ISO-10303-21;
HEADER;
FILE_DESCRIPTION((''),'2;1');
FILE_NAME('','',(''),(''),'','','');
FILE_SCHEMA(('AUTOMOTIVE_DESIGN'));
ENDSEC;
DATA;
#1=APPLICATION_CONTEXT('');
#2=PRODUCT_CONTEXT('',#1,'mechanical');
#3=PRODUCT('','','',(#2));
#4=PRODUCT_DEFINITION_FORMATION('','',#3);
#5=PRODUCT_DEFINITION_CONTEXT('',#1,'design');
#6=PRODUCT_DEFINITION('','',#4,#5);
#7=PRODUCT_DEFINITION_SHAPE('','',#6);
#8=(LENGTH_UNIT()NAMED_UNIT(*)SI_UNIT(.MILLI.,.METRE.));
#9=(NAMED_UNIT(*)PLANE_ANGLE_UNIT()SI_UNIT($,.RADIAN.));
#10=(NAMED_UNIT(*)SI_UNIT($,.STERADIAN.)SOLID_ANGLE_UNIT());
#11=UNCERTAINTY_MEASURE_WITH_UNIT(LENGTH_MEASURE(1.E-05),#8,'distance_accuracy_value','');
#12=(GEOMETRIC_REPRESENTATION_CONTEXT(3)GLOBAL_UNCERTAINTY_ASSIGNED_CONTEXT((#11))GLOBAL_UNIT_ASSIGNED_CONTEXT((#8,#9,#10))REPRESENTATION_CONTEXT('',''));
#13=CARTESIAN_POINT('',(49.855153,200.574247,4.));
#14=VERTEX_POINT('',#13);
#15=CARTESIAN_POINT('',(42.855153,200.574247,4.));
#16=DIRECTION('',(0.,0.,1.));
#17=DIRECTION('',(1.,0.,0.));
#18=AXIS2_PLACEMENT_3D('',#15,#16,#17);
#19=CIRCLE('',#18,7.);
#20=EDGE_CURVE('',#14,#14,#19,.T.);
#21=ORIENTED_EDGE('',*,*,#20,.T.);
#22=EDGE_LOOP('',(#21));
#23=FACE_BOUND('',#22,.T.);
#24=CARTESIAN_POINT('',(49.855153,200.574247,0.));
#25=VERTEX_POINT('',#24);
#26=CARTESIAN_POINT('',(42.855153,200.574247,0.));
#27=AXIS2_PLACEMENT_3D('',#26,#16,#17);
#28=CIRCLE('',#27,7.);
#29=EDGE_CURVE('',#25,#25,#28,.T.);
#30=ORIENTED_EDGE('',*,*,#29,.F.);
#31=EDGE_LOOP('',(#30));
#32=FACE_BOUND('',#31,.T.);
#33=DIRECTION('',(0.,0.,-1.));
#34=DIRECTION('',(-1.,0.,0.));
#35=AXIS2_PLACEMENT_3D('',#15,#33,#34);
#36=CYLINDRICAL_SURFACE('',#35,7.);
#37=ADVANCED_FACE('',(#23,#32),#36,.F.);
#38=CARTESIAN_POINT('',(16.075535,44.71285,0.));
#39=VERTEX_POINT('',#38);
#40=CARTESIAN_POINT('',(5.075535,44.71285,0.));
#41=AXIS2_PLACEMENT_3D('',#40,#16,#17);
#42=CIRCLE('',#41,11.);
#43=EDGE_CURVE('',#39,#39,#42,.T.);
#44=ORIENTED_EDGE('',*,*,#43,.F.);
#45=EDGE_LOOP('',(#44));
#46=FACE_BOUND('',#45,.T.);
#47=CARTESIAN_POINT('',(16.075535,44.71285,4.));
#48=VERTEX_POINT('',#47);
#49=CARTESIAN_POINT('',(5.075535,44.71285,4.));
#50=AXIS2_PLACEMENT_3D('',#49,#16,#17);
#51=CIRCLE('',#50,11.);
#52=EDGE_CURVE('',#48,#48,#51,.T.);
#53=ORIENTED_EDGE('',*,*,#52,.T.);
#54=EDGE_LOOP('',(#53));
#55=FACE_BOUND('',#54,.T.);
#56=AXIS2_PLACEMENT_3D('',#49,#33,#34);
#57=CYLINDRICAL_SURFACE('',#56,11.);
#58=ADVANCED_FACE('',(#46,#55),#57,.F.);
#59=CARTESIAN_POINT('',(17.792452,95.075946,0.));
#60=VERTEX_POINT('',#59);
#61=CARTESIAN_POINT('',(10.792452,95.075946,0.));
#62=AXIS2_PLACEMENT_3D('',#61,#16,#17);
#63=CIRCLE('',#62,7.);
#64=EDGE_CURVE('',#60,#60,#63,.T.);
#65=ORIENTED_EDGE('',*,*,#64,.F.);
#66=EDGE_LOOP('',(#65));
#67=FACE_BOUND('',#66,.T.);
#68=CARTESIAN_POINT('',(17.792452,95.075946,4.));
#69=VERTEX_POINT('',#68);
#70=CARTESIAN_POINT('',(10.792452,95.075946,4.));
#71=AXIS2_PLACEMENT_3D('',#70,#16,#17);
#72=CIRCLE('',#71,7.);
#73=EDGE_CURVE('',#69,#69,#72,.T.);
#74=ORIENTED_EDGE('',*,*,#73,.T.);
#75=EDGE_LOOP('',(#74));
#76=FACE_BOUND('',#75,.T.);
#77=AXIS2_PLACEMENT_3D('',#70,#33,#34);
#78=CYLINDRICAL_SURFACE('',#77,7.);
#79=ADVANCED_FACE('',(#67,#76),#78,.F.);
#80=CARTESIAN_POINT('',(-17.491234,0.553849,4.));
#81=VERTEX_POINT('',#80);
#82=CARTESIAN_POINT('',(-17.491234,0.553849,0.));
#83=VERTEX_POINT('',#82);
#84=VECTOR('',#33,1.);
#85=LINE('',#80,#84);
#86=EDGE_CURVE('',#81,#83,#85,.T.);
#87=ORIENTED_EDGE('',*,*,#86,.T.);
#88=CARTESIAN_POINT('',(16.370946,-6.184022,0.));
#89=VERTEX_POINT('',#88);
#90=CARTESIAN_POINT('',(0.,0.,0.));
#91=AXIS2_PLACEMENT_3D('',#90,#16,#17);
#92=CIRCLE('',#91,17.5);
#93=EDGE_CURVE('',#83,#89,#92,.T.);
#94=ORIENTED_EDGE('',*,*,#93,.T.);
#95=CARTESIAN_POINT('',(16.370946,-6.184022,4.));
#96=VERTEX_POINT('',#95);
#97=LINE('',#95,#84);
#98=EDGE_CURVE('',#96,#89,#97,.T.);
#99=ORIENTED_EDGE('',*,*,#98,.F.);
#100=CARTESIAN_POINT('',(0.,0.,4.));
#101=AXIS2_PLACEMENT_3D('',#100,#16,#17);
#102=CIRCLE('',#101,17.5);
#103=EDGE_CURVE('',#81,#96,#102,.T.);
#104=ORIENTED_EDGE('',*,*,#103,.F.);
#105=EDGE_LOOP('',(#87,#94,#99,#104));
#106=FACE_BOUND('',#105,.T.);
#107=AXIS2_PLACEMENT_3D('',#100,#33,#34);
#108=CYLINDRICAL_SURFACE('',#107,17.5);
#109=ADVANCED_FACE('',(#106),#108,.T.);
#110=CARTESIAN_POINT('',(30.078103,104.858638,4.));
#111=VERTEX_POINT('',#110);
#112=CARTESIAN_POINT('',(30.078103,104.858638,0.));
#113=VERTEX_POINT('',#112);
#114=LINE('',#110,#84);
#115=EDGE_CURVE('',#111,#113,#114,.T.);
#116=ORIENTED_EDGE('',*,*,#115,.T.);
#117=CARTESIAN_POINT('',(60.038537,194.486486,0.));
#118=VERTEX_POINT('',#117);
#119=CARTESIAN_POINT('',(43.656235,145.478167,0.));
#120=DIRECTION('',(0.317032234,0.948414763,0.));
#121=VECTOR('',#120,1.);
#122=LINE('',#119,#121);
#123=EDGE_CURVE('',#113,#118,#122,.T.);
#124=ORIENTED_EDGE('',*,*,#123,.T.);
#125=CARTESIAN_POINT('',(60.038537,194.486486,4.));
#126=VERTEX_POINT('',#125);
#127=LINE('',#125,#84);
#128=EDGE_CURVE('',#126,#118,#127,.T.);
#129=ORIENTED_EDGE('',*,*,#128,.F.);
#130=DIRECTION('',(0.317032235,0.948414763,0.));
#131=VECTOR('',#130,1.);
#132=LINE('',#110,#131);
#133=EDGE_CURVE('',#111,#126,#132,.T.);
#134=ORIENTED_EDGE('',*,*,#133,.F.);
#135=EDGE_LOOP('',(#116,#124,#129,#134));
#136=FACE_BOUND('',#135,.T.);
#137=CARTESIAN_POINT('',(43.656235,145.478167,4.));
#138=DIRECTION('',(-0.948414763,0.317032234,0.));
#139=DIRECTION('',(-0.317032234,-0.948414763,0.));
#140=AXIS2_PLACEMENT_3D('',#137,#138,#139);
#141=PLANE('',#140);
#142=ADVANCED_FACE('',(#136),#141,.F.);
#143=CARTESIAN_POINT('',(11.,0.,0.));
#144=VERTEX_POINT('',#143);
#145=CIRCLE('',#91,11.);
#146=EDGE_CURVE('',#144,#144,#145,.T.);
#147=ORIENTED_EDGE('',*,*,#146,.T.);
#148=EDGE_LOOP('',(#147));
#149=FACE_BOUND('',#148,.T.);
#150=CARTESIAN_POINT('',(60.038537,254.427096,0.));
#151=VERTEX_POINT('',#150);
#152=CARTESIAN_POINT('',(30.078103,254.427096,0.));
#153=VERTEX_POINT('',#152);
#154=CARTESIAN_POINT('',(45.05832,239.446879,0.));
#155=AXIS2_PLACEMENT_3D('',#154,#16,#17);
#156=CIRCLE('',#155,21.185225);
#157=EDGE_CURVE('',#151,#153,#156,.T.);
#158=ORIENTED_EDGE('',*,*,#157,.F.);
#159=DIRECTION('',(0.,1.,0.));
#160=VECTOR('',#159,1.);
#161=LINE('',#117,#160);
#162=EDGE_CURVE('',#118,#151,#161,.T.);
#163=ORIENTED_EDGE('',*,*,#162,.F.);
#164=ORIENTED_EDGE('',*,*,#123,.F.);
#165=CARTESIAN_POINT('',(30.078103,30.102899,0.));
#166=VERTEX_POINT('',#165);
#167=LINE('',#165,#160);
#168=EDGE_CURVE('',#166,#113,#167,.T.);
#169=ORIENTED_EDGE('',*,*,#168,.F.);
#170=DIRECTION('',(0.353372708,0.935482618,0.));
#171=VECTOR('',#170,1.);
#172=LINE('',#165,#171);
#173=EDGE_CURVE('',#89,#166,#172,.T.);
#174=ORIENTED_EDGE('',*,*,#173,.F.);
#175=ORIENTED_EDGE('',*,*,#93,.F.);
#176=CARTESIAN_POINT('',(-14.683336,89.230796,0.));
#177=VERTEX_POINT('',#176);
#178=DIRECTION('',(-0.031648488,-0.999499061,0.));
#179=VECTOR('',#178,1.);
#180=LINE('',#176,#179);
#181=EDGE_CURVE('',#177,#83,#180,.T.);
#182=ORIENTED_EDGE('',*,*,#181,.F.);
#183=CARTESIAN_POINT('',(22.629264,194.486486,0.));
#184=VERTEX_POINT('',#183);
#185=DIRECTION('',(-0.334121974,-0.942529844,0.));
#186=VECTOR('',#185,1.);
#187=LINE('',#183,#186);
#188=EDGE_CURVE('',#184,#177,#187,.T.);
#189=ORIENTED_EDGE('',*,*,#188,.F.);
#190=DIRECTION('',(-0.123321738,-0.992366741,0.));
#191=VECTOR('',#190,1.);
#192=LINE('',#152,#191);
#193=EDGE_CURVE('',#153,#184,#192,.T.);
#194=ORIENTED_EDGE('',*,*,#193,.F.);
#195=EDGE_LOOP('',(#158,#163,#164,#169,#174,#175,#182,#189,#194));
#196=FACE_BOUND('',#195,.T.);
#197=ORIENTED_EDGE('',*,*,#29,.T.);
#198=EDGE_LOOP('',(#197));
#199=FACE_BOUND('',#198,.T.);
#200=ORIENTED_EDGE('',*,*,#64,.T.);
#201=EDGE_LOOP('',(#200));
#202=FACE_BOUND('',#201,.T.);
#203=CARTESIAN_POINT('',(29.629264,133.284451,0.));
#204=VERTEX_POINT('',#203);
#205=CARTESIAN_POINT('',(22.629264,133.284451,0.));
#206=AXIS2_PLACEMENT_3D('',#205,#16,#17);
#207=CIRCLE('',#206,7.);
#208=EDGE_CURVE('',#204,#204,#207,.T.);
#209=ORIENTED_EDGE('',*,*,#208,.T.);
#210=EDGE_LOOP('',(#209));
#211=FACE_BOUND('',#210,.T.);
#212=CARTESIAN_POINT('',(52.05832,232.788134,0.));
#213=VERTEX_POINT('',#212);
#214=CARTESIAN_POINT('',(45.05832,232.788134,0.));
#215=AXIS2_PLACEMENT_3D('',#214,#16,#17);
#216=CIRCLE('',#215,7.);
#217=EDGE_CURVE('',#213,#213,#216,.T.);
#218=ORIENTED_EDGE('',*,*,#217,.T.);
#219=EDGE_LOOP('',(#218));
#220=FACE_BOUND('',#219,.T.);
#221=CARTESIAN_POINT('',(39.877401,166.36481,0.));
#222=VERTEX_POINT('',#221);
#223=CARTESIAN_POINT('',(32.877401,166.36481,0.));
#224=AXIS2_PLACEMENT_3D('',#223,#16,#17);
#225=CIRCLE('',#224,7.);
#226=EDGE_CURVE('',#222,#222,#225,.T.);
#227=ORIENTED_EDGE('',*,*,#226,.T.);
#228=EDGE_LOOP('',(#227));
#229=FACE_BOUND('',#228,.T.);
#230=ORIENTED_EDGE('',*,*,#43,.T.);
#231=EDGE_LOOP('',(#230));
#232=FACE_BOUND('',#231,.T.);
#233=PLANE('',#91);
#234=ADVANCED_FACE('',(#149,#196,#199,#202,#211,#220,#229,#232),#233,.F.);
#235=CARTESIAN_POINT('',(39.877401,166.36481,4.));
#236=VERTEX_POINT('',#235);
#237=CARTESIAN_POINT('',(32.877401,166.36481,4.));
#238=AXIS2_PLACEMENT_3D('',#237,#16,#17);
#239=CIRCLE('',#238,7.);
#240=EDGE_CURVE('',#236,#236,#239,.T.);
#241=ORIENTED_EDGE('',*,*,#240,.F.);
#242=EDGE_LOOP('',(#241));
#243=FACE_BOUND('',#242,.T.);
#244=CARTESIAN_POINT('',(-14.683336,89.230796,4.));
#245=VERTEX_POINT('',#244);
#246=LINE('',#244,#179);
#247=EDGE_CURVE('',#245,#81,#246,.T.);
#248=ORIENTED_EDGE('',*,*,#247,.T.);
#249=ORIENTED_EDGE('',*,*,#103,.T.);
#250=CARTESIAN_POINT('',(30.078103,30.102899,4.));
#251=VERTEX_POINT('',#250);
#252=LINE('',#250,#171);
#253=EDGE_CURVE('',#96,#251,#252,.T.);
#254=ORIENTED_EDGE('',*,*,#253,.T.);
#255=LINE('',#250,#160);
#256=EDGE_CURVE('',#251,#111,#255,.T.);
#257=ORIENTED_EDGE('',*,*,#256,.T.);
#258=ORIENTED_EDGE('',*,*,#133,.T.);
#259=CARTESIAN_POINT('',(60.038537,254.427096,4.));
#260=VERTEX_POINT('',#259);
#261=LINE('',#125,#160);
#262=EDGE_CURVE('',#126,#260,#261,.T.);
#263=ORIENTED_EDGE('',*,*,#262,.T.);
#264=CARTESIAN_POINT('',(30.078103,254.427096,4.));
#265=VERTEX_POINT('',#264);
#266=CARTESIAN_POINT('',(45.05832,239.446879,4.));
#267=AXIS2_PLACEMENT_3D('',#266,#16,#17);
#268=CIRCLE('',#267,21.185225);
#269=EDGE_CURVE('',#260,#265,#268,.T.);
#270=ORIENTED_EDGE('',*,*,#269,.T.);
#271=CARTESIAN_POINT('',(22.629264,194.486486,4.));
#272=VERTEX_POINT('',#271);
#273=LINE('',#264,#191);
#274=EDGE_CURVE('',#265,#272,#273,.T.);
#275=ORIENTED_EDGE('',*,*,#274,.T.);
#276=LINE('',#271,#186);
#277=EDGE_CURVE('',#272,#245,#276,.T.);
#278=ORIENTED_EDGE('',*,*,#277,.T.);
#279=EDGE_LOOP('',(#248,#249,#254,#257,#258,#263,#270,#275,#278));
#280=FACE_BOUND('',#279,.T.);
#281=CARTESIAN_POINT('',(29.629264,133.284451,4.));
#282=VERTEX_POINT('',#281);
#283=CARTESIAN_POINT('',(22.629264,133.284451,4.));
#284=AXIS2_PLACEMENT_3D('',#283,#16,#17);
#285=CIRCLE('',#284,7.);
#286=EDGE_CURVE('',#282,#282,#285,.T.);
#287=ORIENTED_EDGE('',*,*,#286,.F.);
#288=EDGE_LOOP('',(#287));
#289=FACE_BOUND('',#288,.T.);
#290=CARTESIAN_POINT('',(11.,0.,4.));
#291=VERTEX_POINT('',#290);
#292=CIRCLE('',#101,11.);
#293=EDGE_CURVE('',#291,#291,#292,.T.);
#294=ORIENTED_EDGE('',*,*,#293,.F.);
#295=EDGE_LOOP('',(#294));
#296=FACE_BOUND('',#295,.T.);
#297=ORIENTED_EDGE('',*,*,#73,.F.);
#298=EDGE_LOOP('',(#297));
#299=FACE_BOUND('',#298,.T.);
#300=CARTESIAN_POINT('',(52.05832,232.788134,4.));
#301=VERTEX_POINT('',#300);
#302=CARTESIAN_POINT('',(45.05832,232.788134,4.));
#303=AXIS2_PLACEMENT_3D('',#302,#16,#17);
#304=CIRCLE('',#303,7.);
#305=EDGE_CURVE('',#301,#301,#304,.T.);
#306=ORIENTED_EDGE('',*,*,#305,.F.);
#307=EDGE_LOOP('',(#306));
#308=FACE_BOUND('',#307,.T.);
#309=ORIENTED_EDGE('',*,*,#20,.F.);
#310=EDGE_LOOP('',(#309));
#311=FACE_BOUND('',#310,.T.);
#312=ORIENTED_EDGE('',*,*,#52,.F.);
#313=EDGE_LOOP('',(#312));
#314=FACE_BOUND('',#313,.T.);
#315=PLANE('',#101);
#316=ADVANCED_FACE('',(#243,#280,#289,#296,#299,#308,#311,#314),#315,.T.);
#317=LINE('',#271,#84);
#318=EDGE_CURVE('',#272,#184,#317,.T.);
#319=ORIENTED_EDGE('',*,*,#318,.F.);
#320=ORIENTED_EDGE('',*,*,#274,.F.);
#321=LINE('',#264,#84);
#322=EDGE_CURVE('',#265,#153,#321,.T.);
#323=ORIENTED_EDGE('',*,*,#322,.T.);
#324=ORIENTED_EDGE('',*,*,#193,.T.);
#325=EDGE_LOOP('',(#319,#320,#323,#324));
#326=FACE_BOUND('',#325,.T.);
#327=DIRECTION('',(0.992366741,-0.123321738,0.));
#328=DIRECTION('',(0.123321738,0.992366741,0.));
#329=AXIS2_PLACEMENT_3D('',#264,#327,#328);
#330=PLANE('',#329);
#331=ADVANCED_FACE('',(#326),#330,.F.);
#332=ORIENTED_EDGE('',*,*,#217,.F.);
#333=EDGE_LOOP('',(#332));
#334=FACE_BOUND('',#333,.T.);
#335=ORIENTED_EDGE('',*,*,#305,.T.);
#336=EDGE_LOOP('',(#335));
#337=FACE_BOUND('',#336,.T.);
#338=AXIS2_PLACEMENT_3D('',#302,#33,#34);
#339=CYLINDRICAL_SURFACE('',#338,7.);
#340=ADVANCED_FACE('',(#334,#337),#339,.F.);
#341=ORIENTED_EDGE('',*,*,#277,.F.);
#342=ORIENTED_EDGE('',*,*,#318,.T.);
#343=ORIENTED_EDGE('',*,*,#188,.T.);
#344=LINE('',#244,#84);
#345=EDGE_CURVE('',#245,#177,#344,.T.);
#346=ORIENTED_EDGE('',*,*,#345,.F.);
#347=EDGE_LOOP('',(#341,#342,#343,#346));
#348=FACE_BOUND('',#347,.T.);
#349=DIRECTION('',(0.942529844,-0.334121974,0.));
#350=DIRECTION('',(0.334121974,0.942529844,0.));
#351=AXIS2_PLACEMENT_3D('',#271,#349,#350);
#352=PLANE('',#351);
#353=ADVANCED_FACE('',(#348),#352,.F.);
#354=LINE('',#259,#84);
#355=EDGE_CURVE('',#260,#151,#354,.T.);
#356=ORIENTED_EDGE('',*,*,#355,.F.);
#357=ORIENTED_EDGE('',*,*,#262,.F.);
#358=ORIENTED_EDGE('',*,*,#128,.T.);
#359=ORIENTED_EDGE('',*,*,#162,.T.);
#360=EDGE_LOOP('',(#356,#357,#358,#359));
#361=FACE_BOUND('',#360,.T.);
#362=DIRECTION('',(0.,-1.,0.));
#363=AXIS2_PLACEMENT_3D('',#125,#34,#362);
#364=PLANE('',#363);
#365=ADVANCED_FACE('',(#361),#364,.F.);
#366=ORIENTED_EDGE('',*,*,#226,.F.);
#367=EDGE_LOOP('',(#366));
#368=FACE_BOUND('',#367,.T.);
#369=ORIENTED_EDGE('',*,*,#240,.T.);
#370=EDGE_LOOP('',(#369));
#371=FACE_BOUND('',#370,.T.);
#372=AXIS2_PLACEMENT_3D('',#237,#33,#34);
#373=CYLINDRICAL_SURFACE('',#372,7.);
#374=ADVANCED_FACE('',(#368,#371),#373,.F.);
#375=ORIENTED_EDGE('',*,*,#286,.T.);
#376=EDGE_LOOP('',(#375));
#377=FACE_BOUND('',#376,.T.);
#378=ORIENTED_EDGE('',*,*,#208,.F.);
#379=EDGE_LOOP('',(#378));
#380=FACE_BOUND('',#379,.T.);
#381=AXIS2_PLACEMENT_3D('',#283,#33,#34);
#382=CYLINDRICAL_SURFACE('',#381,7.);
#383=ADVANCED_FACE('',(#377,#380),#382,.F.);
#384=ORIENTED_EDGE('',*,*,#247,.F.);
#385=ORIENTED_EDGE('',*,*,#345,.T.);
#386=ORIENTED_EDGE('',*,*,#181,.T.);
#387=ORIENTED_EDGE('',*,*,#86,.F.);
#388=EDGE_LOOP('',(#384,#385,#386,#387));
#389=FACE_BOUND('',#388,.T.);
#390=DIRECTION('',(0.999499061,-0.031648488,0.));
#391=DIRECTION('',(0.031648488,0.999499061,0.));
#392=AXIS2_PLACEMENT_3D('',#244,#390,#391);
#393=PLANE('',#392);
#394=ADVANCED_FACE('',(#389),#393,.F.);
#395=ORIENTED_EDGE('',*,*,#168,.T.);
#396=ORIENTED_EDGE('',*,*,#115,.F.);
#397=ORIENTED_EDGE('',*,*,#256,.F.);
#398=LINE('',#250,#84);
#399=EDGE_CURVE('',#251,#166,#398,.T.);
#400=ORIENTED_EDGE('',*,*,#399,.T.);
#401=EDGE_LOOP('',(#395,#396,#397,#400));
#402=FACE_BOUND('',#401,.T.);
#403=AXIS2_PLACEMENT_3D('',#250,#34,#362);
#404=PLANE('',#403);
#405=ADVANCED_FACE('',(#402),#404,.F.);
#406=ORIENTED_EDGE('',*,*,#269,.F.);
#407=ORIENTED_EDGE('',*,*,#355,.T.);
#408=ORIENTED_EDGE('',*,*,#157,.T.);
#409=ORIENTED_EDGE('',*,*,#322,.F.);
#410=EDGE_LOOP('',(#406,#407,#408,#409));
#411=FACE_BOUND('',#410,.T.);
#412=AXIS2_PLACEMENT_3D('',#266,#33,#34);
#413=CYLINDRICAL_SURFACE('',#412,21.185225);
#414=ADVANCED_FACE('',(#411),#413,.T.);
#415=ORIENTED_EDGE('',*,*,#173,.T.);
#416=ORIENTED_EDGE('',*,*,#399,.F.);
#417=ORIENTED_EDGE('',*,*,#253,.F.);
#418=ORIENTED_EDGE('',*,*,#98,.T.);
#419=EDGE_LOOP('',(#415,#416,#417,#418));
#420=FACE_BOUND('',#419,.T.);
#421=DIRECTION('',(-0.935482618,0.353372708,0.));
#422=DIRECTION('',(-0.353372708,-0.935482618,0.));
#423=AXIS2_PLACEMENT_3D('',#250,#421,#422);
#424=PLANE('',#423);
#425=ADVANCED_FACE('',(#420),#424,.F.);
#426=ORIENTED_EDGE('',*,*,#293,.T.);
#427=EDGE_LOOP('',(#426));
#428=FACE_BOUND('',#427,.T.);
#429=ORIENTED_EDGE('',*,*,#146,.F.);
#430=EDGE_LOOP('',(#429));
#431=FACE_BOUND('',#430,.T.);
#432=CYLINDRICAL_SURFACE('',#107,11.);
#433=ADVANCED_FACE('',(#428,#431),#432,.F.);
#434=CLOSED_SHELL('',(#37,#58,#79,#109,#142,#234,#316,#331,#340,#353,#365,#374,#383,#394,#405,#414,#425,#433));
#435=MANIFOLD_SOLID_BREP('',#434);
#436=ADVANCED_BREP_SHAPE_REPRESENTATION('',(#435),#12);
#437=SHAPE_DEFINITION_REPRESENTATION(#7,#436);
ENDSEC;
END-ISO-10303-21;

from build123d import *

# Parameters (mm, degrees)
SKETCH2_R           = 11
SKETCH2_R_2         = 7
BOSS_EXTRUDE1_DEPTH = 4


with BuildPart() as part:
    # Sketch2 → Boss-Extrude1 (new body)
    with BuildSketch(Plane.XY):
        with BuildLine():
            Line((30.078103468, 30.102899094), (30.078103468, 104.858637586))
            Line((30.078103468, 104.858637586), (43.656234688, 145.478166756))
            Line((43.656234688, 145.478166756), (60.038536544, 194.486485935))
            Line((60.038536544, 194.486485935), (60.038536544, 254.427096014))
            ThreePointArc((60.038536544, 254.427096014), (45.05832001, 260.632104877), (30.078103469, 254.427096029))
            Line((30.078103469, 254.427096029), (22.62926434, 194.486485916))
            Line((22.62926434, 194.486485916), (-14.683335653, 89.230795609))
            Line((-14.683335653, 89.230795609), (-17.49123357, 0.553848547))
            ThreePointArc((-17.49123357, 0.553848547), (-3.415184823, -17.163522734), (16.370945819, -6.184022397))
            Line((16.370945819, -6.184022397), (30.078103468, 30.102899094))
        make_face()
        Circle(SKETCH2_R, mode=Mode.SUBTRACT)
        with Locations((45.058319997, 232.788133995)):
            Circle(SKETCH2_R_2, mode=Mode.SUBTRACT)
        with Locations((42.85515341, 200.574247039)):
            Circle(SKETCH2_R_2, mode=Mode.SUBTRACT)
        with Locations((32.877400798, 166.36480954)):
            Circle(SKETCH2_R_2, mode=Mode.SUBTRACT)
        with Locations((22.629264347, 133.284451418)):
            Circle(SKETCH2_R_2, mode=Mode.SUBTRACT)
        with Locations((10.792452444, 95.075946031)):
            Circle(SKETCH2_R_2, mode=Mode.SUBTRACT)
        with Locations((5.075535148, 44.712849864)):
            Circle(SKETCH2_R, mode=Mode.SUBTRACT)
    extrude(amount=BOSS_EXTRUDE1_DEPTH)


solid = part.part
